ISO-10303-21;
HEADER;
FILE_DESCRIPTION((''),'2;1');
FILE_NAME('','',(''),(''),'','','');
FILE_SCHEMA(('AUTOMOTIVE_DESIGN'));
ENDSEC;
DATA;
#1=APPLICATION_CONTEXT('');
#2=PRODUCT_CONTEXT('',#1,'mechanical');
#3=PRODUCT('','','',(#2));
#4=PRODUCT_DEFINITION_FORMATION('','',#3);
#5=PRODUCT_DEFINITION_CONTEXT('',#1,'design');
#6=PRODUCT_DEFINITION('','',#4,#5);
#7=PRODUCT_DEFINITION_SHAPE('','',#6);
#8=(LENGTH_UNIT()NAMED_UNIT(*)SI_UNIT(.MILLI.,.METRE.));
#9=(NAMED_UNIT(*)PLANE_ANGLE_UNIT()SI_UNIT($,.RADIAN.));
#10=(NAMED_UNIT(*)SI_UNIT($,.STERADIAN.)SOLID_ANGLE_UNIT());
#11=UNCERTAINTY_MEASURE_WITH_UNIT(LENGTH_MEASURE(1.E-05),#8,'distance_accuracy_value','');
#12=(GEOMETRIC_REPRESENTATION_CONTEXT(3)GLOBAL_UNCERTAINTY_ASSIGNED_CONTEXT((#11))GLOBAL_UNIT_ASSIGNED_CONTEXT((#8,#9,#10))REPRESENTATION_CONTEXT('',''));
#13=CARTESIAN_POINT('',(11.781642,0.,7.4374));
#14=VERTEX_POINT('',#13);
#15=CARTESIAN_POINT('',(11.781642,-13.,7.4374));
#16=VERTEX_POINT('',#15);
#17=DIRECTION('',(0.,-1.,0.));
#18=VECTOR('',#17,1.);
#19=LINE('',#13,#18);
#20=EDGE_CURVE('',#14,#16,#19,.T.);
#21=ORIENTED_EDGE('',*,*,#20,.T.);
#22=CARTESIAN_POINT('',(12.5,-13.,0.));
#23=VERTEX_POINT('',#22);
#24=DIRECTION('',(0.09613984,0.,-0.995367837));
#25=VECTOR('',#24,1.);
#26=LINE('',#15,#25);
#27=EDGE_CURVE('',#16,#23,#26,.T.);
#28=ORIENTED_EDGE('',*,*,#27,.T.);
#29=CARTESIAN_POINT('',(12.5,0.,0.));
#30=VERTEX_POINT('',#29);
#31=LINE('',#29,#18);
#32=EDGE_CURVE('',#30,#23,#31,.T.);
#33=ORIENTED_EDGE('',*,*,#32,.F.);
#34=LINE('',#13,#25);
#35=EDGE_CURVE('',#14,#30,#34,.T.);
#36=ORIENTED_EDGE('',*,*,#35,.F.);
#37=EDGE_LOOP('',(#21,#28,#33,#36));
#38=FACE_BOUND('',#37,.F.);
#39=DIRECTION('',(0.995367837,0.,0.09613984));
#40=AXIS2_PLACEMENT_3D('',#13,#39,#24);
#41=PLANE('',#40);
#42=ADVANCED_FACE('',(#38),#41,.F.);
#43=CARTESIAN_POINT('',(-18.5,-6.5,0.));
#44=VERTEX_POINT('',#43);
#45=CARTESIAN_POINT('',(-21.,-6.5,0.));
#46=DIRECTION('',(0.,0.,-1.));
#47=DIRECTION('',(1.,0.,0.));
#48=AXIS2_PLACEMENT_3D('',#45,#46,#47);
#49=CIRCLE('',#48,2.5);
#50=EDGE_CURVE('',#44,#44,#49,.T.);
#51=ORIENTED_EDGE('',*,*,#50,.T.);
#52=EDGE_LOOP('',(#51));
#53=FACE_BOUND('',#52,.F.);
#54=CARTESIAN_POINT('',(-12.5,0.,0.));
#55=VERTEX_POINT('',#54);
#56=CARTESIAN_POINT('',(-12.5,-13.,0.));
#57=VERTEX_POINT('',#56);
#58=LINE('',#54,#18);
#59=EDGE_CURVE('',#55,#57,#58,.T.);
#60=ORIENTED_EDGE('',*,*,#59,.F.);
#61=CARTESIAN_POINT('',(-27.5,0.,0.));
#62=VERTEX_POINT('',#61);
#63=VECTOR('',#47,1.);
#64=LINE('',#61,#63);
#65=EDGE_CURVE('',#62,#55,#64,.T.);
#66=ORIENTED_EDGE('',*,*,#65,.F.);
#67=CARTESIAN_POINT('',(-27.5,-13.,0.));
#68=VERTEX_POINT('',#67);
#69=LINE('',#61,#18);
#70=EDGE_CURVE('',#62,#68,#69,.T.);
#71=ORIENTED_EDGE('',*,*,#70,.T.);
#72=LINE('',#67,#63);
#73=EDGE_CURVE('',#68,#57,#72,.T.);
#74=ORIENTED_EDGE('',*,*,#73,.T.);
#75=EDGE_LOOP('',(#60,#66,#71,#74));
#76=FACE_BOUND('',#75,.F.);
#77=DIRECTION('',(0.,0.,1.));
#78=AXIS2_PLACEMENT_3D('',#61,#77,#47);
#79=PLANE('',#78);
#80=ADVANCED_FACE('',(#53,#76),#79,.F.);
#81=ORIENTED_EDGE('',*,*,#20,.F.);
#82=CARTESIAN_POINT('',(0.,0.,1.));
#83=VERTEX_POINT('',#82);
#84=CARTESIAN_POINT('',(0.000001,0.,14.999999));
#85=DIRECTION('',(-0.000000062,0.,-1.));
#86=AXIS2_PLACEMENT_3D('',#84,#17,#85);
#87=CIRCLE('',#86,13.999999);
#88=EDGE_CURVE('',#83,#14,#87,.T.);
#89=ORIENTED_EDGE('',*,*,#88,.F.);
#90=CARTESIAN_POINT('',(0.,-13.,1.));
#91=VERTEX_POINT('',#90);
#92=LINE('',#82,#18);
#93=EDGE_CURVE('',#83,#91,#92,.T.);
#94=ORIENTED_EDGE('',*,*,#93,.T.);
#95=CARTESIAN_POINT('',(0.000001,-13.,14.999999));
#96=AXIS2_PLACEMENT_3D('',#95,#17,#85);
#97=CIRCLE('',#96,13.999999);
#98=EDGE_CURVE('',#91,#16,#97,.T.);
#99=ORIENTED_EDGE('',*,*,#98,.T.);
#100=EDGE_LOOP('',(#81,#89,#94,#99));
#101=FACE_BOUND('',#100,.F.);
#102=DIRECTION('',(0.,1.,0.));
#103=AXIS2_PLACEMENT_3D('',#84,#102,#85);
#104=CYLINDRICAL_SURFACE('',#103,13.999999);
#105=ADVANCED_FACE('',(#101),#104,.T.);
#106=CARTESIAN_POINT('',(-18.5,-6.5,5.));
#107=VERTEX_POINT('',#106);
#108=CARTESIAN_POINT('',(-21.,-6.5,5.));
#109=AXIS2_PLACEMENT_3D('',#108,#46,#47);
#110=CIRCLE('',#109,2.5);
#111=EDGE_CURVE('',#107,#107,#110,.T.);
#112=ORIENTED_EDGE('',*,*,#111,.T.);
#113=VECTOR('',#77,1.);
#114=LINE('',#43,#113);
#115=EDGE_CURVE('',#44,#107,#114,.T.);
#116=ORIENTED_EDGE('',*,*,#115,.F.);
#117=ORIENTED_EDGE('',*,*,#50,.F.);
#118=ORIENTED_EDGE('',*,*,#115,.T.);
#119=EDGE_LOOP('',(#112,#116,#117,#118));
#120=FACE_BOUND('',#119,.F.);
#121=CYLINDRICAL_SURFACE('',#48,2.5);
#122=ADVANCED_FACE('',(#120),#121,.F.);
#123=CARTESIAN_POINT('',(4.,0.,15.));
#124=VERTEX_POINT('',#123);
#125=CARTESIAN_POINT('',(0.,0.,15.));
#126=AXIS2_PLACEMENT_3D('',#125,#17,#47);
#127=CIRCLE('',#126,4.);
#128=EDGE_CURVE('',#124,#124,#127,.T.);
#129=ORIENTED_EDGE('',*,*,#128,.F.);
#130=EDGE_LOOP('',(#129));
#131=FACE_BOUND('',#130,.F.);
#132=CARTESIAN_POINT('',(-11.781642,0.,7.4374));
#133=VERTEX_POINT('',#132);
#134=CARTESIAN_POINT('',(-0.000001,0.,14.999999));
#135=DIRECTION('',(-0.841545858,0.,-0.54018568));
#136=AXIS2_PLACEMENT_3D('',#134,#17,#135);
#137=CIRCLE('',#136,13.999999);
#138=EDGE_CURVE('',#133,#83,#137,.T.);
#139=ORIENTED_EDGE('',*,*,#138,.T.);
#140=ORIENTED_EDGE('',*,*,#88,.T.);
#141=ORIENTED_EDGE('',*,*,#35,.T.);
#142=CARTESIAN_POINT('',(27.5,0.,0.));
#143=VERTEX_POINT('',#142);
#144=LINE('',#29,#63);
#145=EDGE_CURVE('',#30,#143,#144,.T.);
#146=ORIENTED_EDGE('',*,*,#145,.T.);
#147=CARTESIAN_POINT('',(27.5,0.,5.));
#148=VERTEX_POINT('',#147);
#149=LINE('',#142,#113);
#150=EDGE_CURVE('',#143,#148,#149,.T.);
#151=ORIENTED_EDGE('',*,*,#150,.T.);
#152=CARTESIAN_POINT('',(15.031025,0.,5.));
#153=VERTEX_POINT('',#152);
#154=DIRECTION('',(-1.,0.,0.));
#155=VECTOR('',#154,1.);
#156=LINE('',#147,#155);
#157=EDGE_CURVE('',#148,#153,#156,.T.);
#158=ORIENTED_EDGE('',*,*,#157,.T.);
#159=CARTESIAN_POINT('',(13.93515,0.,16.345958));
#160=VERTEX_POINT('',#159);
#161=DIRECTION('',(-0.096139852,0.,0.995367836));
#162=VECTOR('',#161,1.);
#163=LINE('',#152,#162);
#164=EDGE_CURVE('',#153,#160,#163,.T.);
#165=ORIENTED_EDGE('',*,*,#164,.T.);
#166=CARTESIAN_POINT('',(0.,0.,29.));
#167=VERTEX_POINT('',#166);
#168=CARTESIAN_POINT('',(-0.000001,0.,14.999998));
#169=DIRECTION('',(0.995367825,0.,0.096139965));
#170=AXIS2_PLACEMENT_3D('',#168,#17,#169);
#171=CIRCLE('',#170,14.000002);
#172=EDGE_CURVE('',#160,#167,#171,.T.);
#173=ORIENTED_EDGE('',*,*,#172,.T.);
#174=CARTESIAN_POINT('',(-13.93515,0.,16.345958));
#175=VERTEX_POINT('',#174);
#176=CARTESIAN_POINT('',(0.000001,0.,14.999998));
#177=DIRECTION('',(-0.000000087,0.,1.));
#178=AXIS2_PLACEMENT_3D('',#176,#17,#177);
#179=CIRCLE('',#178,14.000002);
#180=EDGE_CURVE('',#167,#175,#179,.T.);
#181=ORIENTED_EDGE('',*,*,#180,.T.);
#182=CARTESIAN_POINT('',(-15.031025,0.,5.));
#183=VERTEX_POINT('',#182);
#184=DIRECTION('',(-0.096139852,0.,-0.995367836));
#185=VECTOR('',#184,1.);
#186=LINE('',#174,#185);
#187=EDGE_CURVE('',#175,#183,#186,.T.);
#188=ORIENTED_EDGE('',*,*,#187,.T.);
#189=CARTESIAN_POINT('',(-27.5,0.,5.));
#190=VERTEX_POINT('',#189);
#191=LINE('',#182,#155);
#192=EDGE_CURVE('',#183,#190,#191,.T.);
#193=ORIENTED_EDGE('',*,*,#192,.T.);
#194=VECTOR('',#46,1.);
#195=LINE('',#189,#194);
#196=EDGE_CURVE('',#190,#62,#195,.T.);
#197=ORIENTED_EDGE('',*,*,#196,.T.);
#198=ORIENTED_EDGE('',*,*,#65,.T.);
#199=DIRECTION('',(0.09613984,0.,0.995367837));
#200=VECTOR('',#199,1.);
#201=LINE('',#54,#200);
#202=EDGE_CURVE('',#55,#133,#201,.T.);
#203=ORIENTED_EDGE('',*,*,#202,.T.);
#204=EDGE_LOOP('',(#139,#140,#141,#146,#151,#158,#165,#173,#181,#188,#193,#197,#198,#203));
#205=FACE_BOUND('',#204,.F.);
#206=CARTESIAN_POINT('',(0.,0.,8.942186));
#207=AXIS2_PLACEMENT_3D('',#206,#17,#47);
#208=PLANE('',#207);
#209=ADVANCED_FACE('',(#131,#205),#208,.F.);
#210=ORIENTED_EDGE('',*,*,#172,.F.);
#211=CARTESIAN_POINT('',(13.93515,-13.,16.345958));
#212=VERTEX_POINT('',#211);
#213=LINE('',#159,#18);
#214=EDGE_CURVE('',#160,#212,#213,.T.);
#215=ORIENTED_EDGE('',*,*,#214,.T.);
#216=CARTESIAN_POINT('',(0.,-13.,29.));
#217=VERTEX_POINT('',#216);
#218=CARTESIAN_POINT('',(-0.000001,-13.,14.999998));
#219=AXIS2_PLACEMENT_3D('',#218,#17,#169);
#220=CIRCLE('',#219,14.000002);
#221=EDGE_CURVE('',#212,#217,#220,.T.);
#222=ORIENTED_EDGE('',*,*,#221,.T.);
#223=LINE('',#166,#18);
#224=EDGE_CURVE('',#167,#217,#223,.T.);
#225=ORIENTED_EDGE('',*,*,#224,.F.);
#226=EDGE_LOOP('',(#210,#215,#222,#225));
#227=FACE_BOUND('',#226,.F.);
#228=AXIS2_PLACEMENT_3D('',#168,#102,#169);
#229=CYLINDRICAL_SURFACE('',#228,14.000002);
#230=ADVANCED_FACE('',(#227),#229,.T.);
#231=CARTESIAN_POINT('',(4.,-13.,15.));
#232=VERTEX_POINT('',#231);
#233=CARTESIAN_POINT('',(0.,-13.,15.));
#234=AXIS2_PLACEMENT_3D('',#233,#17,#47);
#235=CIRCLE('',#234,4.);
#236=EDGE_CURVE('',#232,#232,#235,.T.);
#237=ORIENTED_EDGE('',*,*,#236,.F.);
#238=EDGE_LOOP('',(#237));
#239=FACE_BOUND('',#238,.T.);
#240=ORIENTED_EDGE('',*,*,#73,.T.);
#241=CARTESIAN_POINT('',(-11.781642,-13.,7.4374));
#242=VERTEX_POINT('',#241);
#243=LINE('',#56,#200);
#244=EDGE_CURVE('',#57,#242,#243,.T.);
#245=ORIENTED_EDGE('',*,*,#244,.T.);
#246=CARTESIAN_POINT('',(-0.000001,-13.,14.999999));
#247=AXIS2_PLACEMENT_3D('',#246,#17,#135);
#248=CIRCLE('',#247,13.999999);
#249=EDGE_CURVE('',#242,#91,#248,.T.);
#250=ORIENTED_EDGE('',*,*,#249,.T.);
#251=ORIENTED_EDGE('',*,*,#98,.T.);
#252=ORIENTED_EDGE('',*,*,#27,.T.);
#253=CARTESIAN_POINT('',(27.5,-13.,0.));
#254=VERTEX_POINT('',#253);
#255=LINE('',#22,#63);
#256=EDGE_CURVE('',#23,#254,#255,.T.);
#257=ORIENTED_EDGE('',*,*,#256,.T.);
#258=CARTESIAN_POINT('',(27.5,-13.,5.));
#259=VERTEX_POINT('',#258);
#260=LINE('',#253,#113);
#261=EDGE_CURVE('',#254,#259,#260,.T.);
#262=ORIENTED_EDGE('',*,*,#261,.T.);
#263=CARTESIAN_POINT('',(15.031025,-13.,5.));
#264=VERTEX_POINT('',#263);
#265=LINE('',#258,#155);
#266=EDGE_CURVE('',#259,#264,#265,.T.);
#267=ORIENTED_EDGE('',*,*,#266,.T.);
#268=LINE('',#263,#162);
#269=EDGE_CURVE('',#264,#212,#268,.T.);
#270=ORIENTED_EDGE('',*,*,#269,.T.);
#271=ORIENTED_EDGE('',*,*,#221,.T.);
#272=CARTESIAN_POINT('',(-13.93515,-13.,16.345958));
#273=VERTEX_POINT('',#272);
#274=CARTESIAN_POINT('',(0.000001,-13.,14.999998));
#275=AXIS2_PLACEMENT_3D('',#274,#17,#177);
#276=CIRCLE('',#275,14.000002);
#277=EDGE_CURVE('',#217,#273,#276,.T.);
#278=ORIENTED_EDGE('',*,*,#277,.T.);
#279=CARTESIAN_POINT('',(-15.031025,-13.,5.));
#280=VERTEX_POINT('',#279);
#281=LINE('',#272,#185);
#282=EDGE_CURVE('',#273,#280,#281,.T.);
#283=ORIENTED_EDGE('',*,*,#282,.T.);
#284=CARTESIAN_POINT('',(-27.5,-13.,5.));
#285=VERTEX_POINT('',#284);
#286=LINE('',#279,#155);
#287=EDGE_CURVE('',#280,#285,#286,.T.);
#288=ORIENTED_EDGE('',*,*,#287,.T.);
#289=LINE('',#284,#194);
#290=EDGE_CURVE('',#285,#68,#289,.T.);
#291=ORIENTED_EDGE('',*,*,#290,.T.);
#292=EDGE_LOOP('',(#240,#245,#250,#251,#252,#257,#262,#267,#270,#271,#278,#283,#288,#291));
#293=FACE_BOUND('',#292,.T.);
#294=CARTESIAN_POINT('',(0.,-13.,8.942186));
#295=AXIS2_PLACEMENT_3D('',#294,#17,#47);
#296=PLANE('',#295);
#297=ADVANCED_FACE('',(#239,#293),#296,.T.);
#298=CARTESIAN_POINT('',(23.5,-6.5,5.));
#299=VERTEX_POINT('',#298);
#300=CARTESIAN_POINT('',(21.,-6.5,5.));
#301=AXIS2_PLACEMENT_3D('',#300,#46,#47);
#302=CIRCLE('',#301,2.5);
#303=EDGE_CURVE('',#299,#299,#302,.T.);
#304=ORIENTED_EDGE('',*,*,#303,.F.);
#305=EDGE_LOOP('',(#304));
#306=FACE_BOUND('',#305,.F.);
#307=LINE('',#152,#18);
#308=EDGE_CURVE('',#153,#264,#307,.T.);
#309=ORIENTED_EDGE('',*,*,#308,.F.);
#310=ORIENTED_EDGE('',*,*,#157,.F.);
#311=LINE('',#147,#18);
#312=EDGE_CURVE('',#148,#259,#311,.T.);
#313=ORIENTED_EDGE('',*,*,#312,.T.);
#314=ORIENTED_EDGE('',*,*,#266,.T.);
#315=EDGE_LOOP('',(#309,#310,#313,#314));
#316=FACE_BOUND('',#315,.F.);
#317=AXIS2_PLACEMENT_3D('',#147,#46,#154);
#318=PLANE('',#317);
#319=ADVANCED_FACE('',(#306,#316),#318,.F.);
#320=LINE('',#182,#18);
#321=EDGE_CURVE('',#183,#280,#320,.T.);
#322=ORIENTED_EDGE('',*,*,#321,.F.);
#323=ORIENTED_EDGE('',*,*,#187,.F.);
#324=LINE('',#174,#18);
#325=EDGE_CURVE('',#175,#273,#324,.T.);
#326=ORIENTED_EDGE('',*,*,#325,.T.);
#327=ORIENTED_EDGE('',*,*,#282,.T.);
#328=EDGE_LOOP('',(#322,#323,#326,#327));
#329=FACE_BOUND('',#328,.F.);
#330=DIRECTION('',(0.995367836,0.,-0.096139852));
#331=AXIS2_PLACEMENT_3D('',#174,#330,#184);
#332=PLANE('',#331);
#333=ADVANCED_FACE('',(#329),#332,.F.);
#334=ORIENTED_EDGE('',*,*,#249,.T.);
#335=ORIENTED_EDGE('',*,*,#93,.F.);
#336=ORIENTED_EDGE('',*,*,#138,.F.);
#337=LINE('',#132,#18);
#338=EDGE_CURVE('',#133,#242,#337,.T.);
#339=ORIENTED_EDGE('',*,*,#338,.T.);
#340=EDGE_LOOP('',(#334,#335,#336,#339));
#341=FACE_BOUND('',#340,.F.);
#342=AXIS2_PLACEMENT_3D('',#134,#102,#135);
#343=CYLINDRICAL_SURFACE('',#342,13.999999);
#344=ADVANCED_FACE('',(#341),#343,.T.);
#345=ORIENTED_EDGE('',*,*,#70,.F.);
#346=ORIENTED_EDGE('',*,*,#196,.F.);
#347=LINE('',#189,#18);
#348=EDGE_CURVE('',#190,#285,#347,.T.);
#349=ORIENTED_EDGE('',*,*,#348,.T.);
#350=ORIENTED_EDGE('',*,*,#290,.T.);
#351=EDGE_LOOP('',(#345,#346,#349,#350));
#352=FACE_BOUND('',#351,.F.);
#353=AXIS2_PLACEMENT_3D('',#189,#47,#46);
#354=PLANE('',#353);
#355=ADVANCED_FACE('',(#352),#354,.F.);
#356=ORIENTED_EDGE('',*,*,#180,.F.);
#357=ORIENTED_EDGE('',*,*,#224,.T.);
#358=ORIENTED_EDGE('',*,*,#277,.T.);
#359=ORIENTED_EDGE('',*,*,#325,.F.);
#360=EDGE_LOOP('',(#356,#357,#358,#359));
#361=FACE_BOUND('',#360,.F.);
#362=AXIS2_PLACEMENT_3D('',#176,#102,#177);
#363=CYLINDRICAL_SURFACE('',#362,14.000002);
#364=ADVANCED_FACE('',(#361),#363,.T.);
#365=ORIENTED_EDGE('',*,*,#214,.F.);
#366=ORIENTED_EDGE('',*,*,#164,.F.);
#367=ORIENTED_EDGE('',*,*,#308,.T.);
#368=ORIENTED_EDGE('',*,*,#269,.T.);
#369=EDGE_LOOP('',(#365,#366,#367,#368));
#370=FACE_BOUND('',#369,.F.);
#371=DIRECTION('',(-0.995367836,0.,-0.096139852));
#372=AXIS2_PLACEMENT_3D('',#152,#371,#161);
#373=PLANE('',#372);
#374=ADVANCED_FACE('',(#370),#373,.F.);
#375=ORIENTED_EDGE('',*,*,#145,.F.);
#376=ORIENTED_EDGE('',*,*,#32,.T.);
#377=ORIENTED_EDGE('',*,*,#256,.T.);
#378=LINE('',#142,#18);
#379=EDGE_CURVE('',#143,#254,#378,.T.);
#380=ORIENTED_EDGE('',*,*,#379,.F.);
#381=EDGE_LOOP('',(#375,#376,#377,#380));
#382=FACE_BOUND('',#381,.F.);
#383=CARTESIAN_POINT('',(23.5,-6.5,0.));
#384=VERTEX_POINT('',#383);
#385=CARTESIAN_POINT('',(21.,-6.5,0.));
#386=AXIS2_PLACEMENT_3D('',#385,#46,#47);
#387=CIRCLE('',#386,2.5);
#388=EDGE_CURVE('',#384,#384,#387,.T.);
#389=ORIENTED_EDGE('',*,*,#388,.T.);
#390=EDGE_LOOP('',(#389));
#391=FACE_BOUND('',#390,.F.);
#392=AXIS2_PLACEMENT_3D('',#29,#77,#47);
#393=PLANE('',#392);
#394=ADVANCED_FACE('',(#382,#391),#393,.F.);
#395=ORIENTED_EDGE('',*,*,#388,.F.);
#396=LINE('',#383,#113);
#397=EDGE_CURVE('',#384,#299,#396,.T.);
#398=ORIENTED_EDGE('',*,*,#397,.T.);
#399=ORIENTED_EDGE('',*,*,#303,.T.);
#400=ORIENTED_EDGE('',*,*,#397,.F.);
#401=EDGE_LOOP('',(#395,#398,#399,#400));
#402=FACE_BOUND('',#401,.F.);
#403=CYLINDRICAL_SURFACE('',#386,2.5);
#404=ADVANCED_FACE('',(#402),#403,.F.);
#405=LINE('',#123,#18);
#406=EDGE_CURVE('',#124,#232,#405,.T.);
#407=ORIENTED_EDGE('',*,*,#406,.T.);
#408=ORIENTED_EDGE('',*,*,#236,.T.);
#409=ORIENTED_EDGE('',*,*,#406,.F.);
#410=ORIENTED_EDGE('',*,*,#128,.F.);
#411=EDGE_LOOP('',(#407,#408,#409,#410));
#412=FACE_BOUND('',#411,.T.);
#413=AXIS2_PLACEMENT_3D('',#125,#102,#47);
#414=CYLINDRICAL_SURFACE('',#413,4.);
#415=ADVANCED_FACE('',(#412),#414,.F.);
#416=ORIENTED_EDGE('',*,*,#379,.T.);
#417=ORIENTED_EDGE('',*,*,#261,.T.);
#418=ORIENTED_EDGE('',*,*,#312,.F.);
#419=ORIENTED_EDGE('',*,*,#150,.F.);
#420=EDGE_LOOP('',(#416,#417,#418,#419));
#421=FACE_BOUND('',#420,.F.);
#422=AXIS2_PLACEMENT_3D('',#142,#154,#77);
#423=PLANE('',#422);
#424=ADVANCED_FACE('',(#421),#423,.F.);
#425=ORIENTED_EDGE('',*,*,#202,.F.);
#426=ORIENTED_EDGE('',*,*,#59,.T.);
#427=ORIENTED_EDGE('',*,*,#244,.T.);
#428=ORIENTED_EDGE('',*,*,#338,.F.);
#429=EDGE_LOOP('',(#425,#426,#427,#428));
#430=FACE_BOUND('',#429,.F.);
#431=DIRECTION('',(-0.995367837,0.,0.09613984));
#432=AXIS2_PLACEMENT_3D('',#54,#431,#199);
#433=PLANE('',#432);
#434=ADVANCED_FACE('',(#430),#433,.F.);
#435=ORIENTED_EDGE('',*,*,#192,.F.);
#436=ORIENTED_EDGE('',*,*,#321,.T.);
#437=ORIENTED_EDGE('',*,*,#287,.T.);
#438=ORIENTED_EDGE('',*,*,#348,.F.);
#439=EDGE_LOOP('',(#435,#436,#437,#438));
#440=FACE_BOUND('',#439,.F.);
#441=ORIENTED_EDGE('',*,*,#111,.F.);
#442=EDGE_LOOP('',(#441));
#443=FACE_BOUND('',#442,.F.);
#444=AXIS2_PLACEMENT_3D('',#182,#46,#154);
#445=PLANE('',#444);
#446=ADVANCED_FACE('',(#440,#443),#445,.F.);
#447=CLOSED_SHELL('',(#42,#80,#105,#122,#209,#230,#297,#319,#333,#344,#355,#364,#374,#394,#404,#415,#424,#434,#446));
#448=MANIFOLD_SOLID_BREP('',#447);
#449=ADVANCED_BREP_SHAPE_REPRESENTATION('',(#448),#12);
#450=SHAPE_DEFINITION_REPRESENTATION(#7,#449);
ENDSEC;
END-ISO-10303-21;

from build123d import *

# Parameters (mm, degrees)
F0_R     = 4
F1_DEPTH = 13
F2_R     = 2.5
F3_DEPTH = 29.001


with BuildPart() as f1:
    # F0 (on Front) → F1 (new body)
    with BuildSketch(Plane.XZ):
        with BuildLine():
            ThreePointArc((-11.781642, 7.4374), (-6.712809, 2.714309), (0, 1))
            ThreePointArc((0, 1), (6.712809, 2.714309), (11.781642, 7.4374))
            Line((11.781642, 7.4374), (12.5, 0))
            Line((12.5, 0), (27.5, 0))
            Line((27.5, 0), (27.5, 5))
            Line((27.5, 5), (15.031025, 5))
            Line((15.031025, 5), (13.93515, 16.345958))
            ThreePointArc((13.93515, 16.345958), (9.411604, 25.364444), (0, 29))
            ThreePointArc((0, 29), (-9.411604, 25.364444), (-13.93515, 16.345958))
            Line((-13.93515, 16.345958), (-15.031025, 5))
            Line((-15.031025, 5), (-27.5, 5))
            Line((-27.5, 5), (-27.5, 0))
            Line((-27.5, 0), (-12.5, 0))
            Line((-12.5, 0), (-11.781642, 7.4374))
        make_face()
        with Locations((0, 15)):
            Circle(F0_R, mode=Mode.SUBTRACT)
    extrude(amount=F1_DEPTH)

    # F2 (on face) → F3 (cut, through all)
    with BuildSketch(Plane(origin=(0, 0, 0), x_dir=(1, 0, 0), z_dir=(0, 0, -1))):
        with Locations((-21, 6.5)):
            Circle(F2_R)
        with Locations((21, 6.5)):
            Circle(F2_R)
    extrude(amount=-F3_DEPTH, mode=Mode.SUBTRACT)


solid = f1.part
